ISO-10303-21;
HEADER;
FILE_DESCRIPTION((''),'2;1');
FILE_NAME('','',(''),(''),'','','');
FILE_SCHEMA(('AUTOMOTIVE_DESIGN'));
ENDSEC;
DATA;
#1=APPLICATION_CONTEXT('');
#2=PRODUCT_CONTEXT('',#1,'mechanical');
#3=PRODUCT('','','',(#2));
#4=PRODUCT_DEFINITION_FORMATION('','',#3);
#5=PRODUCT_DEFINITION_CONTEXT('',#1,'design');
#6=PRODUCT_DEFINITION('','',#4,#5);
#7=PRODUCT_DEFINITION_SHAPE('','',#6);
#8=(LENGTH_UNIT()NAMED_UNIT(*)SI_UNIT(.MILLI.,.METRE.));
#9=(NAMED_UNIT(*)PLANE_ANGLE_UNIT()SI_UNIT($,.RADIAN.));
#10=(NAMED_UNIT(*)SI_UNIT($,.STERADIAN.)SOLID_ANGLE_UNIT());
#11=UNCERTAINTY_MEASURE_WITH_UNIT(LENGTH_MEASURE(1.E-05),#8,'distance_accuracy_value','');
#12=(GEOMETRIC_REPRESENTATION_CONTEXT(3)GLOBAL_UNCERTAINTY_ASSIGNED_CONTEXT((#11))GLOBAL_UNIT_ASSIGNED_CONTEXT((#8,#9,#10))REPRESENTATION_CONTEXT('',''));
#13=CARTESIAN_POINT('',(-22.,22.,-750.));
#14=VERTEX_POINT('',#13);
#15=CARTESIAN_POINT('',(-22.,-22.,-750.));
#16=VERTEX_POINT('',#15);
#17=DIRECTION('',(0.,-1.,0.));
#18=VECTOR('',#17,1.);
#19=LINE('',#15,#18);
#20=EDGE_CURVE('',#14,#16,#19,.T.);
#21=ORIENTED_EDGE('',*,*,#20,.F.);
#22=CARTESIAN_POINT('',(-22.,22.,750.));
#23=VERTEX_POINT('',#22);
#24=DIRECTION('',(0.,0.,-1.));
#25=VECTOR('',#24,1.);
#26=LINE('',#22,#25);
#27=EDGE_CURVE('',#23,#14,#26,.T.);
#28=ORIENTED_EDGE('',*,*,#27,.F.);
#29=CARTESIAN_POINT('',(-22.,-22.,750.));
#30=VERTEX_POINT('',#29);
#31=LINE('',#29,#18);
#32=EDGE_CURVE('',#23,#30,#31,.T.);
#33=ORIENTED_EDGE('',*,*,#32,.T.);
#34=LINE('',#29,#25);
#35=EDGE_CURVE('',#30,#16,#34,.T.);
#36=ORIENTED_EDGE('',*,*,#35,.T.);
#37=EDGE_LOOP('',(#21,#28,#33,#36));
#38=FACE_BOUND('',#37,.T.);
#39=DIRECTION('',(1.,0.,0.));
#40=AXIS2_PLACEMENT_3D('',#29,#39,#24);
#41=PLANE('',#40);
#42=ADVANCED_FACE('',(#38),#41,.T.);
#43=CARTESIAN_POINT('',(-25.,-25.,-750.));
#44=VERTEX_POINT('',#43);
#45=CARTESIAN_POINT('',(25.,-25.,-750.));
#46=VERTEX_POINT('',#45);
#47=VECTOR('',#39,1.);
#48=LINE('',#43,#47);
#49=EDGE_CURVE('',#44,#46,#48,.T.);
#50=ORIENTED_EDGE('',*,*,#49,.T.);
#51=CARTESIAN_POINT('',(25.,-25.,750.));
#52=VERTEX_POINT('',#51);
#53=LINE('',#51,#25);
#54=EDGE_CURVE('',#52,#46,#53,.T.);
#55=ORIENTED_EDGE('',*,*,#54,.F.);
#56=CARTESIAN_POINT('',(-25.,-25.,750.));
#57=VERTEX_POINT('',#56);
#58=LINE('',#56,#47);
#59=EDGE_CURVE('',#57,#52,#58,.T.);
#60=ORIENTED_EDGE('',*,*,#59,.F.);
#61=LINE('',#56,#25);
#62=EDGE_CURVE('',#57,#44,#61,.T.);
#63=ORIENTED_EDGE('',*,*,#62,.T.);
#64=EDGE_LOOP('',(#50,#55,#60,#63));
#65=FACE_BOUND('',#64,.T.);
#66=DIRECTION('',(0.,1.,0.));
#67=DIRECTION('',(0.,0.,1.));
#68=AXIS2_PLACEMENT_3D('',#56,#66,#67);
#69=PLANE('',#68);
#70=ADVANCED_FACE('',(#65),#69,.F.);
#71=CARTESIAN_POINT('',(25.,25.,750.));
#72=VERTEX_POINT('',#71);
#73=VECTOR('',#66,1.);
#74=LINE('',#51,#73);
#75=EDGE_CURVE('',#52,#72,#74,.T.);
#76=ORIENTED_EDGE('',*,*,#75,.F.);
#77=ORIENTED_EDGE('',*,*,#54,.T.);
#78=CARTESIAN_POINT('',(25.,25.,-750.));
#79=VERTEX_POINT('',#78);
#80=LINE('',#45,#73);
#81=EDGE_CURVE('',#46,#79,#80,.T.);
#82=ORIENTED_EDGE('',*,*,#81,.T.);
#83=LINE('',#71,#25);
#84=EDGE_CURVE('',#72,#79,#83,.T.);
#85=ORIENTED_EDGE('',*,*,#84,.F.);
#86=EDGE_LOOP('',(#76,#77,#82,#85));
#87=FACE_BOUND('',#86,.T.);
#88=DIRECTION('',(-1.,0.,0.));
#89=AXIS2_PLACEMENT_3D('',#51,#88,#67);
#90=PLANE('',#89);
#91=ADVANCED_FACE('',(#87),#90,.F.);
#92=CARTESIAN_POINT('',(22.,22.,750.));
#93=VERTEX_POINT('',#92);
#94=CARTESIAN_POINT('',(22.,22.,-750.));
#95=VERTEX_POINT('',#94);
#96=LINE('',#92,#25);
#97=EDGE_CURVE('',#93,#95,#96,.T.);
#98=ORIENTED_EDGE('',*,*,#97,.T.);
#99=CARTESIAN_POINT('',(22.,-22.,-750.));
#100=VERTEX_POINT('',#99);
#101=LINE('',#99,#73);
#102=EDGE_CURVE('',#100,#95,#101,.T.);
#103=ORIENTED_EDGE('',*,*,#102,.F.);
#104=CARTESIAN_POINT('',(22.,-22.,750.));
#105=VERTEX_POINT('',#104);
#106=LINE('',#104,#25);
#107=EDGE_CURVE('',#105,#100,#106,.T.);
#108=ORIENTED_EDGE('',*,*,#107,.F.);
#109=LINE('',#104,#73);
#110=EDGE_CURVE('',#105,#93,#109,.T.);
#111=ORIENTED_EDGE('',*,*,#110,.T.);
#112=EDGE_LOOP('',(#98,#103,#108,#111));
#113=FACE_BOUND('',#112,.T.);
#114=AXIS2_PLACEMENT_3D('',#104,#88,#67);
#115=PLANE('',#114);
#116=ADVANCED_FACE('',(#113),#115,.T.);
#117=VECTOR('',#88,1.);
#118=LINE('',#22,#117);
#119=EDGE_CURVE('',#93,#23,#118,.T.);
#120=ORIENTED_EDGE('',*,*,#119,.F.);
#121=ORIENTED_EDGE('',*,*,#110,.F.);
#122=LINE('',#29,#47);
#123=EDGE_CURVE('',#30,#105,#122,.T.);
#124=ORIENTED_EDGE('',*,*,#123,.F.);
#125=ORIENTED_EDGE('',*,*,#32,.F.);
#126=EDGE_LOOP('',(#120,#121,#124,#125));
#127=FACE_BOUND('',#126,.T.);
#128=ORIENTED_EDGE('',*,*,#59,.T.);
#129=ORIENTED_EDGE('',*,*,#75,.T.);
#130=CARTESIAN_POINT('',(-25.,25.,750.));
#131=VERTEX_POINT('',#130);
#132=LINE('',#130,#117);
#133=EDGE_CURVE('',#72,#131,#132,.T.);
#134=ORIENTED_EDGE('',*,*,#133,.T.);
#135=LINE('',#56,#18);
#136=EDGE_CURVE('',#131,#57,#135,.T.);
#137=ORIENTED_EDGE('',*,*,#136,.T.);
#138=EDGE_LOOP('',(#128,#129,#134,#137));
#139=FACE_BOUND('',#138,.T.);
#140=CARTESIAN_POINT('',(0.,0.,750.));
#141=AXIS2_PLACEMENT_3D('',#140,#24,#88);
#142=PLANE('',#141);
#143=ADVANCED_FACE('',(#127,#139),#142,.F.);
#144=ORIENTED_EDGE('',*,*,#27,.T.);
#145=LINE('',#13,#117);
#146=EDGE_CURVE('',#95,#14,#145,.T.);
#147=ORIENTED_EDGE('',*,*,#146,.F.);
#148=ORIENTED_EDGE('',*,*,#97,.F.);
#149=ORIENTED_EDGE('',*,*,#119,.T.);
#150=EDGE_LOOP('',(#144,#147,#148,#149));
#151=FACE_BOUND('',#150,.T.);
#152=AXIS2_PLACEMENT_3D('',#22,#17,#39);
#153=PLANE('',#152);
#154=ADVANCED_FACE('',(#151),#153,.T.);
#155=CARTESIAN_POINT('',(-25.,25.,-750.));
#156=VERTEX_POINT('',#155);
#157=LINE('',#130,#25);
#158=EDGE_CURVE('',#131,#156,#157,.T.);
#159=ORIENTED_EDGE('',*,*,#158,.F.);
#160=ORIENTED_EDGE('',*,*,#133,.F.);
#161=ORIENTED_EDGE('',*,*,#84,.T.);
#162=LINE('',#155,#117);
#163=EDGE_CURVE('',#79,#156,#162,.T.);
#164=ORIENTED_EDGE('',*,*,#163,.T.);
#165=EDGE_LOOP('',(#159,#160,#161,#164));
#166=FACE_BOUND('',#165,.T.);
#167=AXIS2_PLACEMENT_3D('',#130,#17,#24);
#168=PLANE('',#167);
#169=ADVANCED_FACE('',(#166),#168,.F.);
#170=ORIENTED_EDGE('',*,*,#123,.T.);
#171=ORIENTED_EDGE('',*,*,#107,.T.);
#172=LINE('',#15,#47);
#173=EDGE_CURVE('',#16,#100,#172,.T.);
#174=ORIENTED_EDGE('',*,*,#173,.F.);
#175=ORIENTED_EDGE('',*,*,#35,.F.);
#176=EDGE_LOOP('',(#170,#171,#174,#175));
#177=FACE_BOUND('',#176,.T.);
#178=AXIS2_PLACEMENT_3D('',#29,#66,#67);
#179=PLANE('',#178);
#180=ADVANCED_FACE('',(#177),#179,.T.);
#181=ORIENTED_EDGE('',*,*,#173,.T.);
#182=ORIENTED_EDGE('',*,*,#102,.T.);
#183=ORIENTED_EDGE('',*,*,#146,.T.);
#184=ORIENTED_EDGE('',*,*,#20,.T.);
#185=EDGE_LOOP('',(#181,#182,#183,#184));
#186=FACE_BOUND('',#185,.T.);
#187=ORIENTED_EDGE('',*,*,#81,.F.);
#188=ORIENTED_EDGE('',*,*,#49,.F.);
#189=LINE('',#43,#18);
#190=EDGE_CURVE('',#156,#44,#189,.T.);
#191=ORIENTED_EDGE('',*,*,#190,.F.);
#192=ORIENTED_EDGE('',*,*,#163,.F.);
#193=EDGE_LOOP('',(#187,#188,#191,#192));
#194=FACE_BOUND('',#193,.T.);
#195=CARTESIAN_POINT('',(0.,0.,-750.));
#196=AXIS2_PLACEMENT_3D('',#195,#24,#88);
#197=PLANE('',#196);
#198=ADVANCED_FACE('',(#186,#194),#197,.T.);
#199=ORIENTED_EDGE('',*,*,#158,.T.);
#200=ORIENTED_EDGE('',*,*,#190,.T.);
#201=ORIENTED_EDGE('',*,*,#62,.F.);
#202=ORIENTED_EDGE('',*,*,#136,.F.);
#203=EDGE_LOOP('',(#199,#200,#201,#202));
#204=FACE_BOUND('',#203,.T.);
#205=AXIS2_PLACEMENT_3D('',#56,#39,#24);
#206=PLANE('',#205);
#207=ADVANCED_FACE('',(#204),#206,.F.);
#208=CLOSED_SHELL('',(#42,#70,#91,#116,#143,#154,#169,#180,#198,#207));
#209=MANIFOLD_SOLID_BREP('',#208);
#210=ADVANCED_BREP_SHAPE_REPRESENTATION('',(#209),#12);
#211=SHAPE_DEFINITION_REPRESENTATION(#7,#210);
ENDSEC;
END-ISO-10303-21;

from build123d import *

# Parameters (mm, degrees)
CROQUIS1_W              = 50
CROQUIS1_H              = 50
CROQUIS1_W_2            = 44
CROQUIS1_H_2            = 44
SALIENTE_EXTRUIR1_DEPTH = 750


with BuildPart() as part:
    # Croquis1 → Saliente-Extruir1 (new, symmetric)
    with BuildSketch(Plane.XY):
        Rectangle(CROQUIS1_W, CROQUIS1_H)
        Rectangle(CROQUIS1_W_2, CROQUIS1_H_2, mode=Mode.SUBTRACT)
    extrude(amount=SALIENTE_EXTRUIR1_DEPTH, both=True)


solid = part.part
